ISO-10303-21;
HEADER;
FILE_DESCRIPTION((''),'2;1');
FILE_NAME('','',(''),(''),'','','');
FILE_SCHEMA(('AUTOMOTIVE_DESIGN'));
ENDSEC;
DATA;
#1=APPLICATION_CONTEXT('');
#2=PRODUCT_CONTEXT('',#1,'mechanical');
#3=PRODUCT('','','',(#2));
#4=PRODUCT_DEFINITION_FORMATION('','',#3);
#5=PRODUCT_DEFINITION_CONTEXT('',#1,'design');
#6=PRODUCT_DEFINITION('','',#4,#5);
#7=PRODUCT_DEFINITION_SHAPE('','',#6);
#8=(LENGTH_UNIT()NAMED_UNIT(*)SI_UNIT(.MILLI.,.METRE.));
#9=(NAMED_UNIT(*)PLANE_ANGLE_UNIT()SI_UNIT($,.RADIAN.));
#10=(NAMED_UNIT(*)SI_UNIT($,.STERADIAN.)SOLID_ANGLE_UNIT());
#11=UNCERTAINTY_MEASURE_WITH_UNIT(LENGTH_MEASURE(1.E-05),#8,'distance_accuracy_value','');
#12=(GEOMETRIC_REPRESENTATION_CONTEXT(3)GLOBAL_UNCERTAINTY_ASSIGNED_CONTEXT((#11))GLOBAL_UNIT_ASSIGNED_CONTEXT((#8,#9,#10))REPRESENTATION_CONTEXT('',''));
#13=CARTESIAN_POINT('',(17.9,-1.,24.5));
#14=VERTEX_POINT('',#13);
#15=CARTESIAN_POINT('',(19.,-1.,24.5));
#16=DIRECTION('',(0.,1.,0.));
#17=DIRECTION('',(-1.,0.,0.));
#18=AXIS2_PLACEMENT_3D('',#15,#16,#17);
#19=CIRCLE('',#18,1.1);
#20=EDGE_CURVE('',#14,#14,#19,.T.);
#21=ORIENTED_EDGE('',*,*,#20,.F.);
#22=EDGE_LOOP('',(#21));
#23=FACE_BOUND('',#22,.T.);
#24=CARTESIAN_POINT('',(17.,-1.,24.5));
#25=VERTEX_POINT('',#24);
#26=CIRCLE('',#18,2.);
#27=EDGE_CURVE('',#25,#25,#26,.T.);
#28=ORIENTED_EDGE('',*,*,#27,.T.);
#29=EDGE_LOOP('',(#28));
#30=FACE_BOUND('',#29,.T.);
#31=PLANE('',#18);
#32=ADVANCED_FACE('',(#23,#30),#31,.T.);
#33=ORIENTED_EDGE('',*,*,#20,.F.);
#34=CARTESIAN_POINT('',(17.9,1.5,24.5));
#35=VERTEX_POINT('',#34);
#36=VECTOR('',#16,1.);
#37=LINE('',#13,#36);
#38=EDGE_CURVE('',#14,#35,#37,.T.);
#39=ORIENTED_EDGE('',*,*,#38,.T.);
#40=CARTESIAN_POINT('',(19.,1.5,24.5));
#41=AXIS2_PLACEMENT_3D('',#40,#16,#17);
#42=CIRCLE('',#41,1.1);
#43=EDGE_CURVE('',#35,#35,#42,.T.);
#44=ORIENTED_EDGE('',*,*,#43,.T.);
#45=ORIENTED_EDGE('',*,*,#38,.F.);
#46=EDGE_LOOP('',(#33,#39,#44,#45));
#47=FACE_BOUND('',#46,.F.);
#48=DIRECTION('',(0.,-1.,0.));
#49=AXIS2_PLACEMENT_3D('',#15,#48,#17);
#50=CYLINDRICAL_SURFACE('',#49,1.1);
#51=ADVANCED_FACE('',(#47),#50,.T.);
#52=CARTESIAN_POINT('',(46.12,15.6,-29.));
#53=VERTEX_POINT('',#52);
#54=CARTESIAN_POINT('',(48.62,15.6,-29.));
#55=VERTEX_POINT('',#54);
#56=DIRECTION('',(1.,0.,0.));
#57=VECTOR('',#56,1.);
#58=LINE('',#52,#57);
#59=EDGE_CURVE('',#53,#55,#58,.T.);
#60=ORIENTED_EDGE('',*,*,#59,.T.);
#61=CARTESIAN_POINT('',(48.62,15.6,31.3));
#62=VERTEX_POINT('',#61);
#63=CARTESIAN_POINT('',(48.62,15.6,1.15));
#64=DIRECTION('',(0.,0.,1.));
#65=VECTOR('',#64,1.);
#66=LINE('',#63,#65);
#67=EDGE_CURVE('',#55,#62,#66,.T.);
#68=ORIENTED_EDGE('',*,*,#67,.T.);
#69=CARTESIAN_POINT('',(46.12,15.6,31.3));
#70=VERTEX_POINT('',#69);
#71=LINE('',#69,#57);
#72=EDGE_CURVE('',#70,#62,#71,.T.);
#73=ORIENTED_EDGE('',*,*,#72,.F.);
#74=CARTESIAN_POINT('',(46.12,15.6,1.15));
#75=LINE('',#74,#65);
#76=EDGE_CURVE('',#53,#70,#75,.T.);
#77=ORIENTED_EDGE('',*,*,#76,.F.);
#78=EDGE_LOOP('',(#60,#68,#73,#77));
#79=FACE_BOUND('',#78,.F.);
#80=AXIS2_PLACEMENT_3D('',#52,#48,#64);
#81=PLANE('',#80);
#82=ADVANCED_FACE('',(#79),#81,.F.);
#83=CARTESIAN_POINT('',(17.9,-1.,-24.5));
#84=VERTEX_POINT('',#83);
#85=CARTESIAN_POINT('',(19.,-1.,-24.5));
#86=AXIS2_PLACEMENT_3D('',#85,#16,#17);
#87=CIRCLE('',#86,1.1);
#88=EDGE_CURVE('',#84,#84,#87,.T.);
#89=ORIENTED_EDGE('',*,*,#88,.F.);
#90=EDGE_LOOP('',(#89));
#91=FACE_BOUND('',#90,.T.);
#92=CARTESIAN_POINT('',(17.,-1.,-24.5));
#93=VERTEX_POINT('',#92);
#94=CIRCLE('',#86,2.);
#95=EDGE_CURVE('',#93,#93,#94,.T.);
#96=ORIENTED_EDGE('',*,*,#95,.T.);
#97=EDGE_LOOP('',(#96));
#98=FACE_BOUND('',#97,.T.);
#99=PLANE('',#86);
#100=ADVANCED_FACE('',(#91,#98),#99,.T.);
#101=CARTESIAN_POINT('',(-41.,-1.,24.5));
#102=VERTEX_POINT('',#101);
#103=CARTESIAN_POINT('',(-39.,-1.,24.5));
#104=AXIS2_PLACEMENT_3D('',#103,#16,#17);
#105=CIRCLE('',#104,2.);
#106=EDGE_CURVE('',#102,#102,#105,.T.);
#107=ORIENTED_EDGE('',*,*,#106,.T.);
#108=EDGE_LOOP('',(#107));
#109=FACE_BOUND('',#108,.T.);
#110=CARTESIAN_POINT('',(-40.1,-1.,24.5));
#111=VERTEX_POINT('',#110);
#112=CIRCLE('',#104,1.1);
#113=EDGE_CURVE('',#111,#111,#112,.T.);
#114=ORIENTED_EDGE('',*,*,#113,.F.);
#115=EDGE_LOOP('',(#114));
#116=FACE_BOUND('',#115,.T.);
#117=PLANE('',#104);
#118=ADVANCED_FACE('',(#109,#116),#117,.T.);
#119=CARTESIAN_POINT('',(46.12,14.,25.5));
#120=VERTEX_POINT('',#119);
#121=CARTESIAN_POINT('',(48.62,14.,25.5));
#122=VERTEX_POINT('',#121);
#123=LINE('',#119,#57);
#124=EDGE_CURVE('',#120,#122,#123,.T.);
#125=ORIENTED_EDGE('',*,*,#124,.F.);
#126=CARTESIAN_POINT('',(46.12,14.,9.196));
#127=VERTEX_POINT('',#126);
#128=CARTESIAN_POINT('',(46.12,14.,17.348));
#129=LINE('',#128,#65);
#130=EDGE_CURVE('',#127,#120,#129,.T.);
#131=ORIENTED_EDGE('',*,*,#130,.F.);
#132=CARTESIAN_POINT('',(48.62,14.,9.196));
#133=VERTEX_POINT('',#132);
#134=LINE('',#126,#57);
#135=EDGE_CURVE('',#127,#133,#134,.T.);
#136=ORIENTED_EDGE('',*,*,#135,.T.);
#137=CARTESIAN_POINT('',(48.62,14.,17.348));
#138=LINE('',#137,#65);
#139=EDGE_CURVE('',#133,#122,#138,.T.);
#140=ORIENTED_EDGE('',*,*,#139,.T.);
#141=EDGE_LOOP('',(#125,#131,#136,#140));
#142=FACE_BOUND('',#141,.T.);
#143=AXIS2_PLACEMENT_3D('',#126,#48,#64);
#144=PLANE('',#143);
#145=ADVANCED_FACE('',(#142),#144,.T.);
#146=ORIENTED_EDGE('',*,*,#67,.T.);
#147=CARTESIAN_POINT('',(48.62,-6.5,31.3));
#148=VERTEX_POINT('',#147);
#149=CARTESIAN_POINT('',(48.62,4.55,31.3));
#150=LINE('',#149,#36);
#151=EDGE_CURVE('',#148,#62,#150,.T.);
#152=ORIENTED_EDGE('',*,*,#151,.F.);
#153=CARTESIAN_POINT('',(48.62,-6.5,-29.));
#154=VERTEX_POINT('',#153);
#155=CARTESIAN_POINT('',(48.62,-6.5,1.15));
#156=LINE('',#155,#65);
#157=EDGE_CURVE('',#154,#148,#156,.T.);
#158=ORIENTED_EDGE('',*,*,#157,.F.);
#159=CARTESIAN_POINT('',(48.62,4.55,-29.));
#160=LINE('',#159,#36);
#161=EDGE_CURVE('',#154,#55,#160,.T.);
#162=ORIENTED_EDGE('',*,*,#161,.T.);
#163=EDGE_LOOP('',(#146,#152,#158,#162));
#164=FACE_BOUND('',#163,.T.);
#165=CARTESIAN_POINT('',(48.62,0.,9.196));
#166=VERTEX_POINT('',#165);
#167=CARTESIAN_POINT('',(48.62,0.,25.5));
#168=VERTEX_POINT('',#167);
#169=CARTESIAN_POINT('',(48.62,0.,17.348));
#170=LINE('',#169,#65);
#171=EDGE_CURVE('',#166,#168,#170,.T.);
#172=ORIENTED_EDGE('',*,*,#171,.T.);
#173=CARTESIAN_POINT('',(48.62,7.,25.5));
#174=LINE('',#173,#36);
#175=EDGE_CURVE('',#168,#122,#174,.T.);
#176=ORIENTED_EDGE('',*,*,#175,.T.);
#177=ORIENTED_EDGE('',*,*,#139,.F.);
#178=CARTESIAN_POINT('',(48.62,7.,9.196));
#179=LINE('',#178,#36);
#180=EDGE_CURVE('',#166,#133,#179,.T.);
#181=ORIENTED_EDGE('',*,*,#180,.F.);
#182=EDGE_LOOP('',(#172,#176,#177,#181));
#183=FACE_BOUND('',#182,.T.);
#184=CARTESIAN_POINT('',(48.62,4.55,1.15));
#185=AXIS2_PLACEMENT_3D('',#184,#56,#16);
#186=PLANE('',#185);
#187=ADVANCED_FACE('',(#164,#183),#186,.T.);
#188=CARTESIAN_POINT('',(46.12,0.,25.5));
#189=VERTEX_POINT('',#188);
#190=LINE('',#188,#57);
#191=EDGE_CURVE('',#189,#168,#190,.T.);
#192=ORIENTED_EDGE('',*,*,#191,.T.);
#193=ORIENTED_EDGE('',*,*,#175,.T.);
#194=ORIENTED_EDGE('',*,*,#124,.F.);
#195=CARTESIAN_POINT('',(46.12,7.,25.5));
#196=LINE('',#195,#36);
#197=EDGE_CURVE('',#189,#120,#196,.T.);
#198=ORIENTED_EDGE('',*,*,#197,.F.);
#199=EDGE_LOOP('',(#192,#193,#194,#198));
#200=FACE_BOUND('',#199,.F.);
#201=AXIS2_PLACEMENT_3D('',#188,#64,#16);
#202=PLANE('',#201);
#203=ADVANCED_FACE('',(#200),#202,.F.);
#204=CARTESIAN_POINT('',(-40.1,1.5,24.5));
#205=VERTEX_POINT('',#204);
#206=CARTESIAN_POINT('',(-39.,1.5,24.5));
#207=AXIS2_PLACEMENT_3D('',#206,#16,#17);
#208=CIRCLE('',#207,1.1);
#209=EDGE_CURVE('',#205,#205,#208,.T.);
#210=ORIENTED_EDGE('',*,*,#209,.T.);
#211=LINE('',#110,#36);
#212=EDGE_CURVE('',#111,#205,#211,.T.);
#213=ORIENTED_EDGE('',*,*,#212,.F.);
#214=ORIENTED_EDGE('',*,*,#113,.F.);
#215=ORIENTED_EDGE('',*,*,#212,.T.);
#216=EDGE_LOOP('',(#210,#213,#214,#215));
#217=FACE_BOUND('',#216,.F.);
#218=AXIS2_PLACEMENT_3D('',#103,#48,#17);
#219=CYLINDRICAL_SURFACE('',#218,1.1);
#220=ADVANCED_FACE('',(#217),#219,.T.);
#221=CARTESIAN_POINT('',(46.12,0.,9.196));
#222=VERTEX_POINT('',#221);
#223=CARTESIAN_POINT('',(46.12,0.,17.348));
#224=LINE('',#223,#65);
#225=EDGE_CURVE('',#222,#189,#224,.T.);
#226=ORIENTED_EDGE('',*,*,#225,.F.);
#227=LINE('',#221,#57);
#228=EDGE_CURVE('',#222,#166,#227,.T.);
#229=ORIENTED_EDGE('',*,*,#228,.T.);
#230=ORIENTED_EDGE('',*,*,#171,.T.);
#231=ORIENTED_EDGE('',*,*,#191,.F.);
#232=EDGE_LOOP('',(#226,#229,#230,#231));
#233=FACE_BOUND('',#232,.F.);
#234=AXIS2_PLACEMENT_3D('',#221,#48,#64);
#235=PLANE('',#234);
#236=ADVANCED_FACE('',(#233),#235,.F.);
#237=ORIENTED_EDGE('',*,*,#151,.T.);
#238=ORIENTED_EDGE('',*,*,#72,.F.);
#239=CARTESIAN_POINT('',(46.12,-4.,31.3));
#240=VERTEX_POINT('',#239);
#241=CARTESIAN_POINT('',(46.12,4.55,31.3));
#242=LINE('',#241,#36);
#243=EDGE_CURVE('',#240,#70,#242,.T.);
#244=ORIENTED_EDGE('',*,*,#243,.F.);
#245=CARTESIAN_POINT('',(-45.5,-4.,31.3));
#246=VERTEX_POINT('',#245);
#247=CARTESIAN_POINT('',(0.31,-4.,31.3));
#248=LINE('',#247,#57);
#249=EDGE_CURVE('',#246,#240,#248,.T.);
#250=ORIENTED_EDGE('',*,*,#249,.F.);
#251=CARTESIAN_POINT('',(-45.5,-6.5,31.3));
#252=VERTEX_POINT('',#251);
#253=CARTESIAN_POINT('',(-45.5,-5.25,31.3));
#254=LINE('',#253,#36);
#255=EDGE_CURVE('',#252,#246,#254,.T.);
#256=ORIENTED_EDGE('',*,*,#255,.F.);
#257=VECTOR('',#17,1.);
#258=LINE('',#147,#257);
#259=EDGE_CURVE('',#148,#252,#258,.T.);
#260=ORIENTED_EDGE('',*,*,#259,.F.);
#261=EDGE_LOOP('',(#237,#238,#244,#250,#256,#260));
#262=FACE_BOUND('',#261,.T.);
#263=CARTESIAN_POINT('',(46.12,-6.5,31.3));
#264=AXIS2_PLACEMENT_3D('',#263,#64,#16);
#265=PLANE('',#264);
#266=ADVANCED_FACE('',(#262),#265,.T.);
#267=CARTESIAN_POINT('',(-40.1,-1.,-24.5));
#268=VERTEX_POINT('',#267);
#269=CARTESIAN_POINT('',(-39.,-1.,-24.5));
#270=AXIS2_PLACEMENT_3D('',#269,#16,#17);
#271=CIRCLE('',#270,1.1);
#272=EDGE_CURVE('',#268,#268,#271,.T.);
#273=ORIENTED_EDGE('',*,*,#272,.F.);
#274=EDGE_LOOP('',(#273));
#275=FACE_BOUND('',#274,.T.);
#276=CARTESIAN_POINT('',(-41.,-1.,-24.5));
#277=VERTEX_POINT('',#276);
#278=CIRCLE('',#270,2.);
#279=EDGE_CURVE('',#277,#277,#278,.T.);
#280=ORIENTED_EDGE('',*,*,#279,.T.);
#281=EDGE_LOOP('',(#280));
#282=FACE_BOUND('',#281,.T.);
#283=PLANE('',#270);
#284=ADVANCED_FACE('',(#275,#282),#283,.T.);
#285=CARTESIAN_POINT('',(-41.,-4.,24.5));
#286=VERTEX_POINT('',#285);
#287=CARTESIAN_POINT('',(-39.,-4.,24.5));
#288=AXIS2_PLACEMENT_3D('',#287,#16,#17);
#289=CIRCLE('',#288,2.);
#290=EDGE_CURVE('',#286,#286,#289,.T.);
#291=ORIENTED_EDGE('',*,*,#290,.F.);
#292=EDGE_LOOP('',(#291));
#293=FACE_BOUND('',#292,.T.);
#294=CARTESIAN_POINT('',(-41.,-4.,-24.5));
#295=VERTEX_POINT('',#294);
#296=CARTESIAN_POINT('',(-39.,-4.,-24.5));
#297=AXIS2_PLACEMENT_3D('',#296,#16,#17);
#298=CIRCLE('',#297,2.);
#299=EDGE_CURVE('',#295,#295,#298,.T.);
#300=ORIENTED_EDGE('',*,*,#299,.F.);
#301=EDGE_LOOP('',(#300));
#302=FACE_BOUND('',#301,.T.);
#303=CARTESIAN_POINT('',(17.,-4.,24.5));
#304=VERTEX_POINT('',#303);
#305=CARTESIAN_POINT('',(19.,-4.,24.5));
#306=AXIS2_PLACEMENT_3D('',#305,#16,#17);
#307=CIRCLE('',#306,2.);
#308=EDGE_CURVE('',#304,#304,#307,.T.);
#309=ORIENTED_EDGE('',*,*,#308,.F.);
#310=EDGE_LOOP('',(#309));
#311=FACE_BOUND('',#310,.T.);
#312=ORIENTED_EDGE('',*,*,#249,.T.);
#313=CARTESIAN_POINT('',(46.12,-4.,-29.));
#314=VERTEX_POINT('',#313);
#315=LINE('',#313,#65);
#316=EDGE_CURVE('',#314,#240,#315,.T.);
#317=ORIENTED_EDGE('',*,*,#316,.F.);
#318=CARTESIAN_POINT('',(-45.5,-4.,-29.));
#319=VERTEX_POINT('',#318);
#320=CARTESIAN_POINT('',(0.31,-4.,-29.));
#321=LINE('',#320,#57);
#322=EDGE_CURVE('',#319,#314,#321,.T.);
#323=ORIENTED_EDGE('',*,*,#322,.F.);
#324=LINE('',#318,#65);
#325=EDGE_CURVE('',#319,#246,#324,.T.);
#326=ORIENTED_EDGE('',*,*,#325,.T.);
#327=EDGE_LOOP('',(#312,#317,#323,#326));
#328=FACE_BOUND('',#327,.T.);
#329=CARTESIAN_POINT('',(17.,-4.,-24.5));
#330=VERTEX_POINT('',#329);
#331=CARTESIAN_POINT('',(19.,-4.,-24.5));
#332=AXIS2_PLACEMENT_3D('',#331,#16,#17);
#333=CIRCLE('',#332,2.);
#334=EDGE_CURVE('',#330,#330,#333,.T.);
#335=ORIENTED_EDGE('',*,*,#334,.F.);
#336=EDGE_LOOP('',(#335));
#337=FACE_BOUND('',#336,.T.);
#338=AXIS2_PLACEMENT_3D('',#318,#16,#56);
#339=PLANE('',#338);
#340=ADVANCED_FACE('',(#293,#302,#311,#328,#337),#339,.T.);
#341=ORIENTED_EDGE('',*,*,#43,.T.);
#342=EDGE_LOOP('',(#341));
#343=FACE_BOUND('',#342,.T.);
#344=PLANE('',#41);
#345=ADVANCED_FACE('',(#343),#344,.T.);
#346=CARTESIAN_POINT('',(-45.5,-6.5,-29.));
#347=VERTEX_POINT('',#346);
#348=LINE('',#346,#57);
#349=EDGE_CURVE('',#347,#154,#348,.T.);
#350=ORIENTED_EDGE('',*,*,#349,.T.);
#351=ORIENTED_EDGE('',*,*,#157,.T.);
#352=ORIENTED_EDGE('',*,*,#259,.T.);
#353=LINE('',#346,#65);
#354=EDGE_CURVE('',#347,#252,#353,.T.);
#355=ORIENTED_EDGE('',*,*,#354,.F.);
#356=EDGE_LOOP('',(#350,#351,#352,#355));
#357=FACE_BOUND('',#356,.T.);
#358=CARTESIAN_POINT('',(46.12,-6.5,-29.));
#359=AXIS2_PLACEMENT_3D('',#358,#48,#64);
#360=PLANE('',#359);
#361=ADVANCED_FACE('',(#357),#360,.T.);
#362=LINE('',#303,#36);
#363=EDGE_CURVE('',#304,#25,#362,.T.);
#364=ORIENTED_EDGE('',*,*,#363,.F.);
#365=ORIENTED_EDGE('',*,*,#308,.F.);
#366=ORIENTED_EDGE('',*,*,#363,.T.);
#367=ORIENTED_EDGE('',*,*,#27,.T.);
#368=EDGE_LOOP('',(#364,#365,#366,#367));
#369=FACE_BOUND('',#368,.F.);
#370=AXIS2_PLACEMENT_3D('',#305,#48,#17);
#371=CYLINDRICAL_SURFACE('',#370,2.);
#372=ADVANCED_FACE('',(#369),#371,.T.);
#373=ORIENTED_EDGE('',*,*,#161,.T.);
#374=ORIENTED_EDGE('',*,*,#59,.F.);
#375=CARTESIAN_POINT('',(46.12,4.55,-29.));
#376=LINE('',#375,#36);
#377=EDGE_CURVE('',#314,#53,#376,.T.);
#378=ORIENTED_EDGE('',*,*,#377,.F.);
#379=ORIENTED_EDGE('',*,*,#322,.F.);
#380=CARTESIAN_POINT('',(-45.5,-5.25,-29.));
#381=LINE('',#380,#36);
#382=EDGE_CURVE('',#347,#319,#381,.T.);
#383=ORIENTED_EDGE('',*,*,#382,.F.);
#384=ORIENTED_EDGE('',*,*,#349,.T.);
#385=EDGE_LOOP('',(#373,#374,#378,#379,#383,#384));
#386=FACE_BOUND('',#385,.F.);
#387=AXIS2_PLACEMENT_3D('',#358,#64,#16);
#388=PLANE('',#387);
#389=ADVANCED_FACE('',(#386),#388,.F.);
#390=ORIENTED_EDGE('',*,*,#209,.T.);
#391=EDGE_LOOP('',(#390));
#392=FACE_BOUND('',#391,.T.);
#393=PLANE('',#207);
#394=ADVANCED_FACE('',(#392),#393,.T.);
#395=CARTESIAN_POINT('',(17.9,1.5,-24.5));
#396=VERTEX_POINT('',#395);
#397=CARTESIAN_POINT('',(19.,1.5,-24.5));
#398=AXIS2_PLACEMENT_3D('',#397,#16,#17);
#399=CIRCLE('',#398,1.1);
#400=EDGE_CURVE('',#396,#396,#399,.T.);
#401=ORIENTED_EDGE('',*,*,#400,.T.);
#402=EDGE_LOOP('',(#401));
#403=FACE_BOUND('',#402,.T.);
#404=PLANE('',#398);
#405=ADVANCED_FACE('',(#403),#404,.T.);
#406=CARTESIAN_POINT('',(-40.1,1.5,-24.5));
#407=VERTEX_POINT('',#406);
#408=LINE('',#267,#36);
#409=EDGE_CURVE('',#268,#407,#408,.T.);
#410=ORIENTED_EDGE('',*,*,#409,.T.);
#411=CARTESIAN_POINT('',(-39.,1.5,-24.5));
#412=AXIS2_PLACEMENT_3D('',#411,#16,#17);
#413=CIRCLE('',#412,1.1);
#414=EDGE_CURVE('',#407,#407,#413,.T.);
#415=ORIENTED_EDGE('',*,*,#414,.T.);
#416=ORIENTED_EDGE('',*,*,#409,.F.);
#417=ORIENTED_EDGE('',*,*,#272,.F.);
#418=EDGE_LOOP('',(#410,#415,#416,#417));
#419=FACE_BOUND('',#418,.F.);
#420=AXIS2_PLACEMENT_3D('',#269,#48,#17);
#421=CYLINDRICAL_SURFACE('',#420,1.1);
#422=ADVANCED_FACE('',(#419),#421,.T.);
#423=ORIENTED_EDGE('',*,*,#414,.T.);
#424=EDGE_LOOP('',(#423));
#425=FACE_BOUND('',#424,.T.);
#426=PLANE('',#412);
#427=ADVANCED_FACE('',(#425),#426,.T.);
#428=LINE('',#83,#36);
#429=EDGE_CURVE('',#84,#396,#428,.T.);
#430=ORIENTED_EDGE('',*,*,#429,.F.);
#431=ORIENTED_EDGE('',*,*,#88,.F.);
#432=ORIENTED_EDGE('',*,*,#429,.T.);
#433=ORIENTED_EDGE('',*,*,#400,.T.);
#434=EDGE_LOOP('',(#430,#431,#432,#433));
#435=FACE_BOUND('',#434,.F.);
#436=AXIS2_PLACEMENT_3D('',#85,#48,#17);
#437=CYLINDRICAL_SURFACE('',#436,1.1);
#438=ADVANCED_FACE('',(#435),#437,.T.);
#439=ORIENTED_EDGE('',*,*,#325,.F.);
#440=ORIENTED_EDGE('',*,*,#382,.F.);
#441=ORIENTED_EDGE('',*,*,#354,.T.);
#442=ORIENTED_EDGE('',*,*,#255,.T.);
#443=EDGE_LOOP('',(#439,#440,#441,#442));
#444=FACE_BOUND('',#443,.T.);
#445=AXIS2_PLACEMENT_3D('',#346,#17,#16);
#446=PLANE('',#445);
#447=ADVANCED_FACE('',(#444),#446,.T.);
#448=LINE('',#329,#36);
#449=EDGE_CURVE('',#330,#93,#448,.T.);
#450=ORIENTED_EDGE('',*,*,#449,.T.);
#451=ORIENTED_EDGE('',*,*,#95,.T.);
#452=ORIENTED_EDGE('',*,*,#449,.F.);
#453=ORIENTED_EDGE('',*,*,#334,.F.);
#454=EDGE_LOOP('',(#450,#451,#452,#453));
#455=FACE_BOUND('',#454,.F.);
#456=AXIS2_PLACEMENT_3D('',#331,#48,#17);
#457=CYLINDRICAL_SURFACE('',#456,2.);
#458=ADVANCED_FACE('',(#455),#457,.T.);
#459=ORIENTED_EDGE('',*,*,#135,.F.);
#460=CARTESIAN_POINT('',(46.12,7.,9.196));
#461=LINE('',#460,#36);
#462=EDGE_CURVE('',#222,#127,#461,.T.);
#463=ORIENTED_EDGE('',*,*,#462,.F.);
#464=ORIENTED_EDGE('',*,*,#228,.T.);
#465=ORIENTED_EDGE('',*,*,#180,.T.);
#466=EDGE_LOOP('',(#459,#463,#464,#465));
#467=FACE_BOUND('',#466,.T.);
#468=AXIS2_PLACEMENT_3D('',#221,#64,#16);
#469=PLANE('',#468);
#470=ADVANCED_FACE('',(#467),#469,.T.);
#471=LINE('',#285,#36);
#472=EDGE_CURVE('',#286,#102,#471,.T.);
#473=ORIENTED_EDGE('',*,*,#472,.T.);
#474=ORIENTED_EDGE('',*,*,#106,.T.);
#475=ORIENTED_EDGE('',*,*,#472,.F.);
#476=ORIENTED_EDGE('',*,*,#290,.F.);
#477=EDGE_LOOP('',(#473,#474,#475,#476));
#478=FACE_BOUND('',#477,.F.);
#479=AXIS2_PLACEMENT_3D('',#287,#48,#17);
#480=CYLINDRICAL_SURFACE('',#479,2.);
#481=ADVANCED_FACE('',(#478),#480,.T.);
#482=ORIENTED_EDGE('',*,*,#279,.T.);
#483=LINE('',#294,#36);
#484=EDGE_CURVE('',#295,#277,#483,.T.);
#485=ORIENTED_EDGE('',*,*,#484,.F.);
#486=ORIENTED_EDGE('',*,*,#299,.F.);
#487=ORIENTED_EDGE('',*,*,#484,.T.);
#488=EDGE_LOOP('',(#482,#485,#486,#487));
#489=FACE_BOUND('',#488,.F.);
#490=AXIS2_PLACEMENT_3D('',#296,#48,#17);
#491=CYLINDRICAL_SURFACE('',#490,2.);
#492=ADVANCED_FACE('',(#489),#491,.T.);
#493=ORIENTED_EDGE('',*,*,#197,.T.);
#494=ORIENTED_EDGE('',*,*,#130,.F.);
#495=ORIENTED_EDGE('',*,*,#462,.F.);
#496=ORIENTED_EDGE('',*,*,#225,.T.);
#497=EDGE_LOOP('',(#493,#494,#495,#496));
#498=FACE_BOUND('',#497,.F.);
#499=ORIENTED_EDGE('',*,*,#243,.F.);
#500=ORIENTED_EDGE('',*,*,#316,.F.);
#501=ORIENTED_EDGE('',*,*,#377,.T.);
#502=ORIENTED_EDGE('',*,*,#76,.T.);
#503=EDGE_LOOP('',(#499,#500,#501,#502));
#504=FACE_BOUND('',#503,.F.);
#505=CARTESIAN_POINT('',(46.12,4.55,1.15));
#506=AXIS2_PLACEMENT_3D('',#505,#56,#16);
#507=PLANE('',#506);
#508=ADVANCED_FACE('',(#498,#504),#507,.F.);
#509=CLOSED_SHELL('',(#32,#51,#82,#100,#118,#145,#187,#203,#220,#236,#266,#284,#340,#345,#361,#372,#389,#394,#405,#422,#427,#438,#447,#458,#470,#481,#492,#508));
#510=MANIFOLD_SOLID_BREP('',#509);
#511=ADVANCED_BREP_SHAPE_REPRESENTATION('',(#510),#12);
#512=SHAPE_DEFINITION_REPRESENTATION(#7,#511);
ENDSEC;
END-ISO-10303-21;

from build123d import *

# Parameters (mm, degrees)
BOX_W         = 91.62
BOX_H         = 2.5
BOX_DEPTH     = 60.3
SKETCH_R      = 2
PAD_DEPTH     = 3
SKETCH001_W   = 22.1
SKETCH001_H   = 60.3
SKETCH001_W_2 = 14
SKETCH001_H_2 = 16.304
PAD001_DEPTH  = 2.5
SKETCH002_R   = 1.1
PAD002_DEPTH  = 2.5


with BuildPart() as part:
    # Box → Box (new body)
    with BuildSketch(Plane(origin=(-45.5, -6.5, -29), x_dir=(1, 0, 0), z_dir=(0, 0, 1))):
        with Locations((45.81, 1.25)):
            Rectangle(BOX_W, BOX_H)
    extrude(amount=BOX_DEPTH)

    # Sketch → Pad (new body)
    with BuildSketch(Plane(origin=(-45.5, -4, -29), x_dir=(-1, 0, 0), z_dir=(0, 1, 0))):
        with Locations((-6.5, 4.5)):
            Circle(SKETCH_R)
        with Locations((-64.5, 4.5)):
            Circle(SKETCH_R)
        with Locations((-64.5, 53.5)):
            Circle(SKETCH_R)
        with Locations((-6.5, 53.5)):
            Circle(SKETCH_R)
    extrude(amount=PAD_DEPTH)

    # Sketch001 → Pad001 (new body)
    with BuildSketch(Plane(origin=(46.12, -6.5, -29), x_dir=(0, 1, 0), z_dir=(1, 0, 0))):
        with Locations((11.05, 30.15)):
            Rectangle(SKETCH001_W, SKETCH001_H)
        with Locations((13.5, 46.348)):
            Rectangle(SKETCH001_W_2, SKETCH001_H_2, mode=Mode.SUBTRACT)
    extrude(amount=PAD001_DEPTH)

    # Sketch002 → Pad002 (new body)
    with BuildSketch(Plane(origin=(-45.5, -1, -29), x_dir=(-1, 0, 0), z_dir=(0, 1, 0))):
        with Locations((-64.5, 4.5)):
            Circle(SKETCH002_R)
        with Locations((-64.5, 53.5)):
            Circle(SKETCH002_R)
        with Locations((-6.5, 53.5)):
            Circle(SKETCH002_R)
        with Locations((-6.5, 4.5)):
            Circle(SKETCH002_R)
    extrude(amount=PAD002_DEPTH)


solid = part.part
